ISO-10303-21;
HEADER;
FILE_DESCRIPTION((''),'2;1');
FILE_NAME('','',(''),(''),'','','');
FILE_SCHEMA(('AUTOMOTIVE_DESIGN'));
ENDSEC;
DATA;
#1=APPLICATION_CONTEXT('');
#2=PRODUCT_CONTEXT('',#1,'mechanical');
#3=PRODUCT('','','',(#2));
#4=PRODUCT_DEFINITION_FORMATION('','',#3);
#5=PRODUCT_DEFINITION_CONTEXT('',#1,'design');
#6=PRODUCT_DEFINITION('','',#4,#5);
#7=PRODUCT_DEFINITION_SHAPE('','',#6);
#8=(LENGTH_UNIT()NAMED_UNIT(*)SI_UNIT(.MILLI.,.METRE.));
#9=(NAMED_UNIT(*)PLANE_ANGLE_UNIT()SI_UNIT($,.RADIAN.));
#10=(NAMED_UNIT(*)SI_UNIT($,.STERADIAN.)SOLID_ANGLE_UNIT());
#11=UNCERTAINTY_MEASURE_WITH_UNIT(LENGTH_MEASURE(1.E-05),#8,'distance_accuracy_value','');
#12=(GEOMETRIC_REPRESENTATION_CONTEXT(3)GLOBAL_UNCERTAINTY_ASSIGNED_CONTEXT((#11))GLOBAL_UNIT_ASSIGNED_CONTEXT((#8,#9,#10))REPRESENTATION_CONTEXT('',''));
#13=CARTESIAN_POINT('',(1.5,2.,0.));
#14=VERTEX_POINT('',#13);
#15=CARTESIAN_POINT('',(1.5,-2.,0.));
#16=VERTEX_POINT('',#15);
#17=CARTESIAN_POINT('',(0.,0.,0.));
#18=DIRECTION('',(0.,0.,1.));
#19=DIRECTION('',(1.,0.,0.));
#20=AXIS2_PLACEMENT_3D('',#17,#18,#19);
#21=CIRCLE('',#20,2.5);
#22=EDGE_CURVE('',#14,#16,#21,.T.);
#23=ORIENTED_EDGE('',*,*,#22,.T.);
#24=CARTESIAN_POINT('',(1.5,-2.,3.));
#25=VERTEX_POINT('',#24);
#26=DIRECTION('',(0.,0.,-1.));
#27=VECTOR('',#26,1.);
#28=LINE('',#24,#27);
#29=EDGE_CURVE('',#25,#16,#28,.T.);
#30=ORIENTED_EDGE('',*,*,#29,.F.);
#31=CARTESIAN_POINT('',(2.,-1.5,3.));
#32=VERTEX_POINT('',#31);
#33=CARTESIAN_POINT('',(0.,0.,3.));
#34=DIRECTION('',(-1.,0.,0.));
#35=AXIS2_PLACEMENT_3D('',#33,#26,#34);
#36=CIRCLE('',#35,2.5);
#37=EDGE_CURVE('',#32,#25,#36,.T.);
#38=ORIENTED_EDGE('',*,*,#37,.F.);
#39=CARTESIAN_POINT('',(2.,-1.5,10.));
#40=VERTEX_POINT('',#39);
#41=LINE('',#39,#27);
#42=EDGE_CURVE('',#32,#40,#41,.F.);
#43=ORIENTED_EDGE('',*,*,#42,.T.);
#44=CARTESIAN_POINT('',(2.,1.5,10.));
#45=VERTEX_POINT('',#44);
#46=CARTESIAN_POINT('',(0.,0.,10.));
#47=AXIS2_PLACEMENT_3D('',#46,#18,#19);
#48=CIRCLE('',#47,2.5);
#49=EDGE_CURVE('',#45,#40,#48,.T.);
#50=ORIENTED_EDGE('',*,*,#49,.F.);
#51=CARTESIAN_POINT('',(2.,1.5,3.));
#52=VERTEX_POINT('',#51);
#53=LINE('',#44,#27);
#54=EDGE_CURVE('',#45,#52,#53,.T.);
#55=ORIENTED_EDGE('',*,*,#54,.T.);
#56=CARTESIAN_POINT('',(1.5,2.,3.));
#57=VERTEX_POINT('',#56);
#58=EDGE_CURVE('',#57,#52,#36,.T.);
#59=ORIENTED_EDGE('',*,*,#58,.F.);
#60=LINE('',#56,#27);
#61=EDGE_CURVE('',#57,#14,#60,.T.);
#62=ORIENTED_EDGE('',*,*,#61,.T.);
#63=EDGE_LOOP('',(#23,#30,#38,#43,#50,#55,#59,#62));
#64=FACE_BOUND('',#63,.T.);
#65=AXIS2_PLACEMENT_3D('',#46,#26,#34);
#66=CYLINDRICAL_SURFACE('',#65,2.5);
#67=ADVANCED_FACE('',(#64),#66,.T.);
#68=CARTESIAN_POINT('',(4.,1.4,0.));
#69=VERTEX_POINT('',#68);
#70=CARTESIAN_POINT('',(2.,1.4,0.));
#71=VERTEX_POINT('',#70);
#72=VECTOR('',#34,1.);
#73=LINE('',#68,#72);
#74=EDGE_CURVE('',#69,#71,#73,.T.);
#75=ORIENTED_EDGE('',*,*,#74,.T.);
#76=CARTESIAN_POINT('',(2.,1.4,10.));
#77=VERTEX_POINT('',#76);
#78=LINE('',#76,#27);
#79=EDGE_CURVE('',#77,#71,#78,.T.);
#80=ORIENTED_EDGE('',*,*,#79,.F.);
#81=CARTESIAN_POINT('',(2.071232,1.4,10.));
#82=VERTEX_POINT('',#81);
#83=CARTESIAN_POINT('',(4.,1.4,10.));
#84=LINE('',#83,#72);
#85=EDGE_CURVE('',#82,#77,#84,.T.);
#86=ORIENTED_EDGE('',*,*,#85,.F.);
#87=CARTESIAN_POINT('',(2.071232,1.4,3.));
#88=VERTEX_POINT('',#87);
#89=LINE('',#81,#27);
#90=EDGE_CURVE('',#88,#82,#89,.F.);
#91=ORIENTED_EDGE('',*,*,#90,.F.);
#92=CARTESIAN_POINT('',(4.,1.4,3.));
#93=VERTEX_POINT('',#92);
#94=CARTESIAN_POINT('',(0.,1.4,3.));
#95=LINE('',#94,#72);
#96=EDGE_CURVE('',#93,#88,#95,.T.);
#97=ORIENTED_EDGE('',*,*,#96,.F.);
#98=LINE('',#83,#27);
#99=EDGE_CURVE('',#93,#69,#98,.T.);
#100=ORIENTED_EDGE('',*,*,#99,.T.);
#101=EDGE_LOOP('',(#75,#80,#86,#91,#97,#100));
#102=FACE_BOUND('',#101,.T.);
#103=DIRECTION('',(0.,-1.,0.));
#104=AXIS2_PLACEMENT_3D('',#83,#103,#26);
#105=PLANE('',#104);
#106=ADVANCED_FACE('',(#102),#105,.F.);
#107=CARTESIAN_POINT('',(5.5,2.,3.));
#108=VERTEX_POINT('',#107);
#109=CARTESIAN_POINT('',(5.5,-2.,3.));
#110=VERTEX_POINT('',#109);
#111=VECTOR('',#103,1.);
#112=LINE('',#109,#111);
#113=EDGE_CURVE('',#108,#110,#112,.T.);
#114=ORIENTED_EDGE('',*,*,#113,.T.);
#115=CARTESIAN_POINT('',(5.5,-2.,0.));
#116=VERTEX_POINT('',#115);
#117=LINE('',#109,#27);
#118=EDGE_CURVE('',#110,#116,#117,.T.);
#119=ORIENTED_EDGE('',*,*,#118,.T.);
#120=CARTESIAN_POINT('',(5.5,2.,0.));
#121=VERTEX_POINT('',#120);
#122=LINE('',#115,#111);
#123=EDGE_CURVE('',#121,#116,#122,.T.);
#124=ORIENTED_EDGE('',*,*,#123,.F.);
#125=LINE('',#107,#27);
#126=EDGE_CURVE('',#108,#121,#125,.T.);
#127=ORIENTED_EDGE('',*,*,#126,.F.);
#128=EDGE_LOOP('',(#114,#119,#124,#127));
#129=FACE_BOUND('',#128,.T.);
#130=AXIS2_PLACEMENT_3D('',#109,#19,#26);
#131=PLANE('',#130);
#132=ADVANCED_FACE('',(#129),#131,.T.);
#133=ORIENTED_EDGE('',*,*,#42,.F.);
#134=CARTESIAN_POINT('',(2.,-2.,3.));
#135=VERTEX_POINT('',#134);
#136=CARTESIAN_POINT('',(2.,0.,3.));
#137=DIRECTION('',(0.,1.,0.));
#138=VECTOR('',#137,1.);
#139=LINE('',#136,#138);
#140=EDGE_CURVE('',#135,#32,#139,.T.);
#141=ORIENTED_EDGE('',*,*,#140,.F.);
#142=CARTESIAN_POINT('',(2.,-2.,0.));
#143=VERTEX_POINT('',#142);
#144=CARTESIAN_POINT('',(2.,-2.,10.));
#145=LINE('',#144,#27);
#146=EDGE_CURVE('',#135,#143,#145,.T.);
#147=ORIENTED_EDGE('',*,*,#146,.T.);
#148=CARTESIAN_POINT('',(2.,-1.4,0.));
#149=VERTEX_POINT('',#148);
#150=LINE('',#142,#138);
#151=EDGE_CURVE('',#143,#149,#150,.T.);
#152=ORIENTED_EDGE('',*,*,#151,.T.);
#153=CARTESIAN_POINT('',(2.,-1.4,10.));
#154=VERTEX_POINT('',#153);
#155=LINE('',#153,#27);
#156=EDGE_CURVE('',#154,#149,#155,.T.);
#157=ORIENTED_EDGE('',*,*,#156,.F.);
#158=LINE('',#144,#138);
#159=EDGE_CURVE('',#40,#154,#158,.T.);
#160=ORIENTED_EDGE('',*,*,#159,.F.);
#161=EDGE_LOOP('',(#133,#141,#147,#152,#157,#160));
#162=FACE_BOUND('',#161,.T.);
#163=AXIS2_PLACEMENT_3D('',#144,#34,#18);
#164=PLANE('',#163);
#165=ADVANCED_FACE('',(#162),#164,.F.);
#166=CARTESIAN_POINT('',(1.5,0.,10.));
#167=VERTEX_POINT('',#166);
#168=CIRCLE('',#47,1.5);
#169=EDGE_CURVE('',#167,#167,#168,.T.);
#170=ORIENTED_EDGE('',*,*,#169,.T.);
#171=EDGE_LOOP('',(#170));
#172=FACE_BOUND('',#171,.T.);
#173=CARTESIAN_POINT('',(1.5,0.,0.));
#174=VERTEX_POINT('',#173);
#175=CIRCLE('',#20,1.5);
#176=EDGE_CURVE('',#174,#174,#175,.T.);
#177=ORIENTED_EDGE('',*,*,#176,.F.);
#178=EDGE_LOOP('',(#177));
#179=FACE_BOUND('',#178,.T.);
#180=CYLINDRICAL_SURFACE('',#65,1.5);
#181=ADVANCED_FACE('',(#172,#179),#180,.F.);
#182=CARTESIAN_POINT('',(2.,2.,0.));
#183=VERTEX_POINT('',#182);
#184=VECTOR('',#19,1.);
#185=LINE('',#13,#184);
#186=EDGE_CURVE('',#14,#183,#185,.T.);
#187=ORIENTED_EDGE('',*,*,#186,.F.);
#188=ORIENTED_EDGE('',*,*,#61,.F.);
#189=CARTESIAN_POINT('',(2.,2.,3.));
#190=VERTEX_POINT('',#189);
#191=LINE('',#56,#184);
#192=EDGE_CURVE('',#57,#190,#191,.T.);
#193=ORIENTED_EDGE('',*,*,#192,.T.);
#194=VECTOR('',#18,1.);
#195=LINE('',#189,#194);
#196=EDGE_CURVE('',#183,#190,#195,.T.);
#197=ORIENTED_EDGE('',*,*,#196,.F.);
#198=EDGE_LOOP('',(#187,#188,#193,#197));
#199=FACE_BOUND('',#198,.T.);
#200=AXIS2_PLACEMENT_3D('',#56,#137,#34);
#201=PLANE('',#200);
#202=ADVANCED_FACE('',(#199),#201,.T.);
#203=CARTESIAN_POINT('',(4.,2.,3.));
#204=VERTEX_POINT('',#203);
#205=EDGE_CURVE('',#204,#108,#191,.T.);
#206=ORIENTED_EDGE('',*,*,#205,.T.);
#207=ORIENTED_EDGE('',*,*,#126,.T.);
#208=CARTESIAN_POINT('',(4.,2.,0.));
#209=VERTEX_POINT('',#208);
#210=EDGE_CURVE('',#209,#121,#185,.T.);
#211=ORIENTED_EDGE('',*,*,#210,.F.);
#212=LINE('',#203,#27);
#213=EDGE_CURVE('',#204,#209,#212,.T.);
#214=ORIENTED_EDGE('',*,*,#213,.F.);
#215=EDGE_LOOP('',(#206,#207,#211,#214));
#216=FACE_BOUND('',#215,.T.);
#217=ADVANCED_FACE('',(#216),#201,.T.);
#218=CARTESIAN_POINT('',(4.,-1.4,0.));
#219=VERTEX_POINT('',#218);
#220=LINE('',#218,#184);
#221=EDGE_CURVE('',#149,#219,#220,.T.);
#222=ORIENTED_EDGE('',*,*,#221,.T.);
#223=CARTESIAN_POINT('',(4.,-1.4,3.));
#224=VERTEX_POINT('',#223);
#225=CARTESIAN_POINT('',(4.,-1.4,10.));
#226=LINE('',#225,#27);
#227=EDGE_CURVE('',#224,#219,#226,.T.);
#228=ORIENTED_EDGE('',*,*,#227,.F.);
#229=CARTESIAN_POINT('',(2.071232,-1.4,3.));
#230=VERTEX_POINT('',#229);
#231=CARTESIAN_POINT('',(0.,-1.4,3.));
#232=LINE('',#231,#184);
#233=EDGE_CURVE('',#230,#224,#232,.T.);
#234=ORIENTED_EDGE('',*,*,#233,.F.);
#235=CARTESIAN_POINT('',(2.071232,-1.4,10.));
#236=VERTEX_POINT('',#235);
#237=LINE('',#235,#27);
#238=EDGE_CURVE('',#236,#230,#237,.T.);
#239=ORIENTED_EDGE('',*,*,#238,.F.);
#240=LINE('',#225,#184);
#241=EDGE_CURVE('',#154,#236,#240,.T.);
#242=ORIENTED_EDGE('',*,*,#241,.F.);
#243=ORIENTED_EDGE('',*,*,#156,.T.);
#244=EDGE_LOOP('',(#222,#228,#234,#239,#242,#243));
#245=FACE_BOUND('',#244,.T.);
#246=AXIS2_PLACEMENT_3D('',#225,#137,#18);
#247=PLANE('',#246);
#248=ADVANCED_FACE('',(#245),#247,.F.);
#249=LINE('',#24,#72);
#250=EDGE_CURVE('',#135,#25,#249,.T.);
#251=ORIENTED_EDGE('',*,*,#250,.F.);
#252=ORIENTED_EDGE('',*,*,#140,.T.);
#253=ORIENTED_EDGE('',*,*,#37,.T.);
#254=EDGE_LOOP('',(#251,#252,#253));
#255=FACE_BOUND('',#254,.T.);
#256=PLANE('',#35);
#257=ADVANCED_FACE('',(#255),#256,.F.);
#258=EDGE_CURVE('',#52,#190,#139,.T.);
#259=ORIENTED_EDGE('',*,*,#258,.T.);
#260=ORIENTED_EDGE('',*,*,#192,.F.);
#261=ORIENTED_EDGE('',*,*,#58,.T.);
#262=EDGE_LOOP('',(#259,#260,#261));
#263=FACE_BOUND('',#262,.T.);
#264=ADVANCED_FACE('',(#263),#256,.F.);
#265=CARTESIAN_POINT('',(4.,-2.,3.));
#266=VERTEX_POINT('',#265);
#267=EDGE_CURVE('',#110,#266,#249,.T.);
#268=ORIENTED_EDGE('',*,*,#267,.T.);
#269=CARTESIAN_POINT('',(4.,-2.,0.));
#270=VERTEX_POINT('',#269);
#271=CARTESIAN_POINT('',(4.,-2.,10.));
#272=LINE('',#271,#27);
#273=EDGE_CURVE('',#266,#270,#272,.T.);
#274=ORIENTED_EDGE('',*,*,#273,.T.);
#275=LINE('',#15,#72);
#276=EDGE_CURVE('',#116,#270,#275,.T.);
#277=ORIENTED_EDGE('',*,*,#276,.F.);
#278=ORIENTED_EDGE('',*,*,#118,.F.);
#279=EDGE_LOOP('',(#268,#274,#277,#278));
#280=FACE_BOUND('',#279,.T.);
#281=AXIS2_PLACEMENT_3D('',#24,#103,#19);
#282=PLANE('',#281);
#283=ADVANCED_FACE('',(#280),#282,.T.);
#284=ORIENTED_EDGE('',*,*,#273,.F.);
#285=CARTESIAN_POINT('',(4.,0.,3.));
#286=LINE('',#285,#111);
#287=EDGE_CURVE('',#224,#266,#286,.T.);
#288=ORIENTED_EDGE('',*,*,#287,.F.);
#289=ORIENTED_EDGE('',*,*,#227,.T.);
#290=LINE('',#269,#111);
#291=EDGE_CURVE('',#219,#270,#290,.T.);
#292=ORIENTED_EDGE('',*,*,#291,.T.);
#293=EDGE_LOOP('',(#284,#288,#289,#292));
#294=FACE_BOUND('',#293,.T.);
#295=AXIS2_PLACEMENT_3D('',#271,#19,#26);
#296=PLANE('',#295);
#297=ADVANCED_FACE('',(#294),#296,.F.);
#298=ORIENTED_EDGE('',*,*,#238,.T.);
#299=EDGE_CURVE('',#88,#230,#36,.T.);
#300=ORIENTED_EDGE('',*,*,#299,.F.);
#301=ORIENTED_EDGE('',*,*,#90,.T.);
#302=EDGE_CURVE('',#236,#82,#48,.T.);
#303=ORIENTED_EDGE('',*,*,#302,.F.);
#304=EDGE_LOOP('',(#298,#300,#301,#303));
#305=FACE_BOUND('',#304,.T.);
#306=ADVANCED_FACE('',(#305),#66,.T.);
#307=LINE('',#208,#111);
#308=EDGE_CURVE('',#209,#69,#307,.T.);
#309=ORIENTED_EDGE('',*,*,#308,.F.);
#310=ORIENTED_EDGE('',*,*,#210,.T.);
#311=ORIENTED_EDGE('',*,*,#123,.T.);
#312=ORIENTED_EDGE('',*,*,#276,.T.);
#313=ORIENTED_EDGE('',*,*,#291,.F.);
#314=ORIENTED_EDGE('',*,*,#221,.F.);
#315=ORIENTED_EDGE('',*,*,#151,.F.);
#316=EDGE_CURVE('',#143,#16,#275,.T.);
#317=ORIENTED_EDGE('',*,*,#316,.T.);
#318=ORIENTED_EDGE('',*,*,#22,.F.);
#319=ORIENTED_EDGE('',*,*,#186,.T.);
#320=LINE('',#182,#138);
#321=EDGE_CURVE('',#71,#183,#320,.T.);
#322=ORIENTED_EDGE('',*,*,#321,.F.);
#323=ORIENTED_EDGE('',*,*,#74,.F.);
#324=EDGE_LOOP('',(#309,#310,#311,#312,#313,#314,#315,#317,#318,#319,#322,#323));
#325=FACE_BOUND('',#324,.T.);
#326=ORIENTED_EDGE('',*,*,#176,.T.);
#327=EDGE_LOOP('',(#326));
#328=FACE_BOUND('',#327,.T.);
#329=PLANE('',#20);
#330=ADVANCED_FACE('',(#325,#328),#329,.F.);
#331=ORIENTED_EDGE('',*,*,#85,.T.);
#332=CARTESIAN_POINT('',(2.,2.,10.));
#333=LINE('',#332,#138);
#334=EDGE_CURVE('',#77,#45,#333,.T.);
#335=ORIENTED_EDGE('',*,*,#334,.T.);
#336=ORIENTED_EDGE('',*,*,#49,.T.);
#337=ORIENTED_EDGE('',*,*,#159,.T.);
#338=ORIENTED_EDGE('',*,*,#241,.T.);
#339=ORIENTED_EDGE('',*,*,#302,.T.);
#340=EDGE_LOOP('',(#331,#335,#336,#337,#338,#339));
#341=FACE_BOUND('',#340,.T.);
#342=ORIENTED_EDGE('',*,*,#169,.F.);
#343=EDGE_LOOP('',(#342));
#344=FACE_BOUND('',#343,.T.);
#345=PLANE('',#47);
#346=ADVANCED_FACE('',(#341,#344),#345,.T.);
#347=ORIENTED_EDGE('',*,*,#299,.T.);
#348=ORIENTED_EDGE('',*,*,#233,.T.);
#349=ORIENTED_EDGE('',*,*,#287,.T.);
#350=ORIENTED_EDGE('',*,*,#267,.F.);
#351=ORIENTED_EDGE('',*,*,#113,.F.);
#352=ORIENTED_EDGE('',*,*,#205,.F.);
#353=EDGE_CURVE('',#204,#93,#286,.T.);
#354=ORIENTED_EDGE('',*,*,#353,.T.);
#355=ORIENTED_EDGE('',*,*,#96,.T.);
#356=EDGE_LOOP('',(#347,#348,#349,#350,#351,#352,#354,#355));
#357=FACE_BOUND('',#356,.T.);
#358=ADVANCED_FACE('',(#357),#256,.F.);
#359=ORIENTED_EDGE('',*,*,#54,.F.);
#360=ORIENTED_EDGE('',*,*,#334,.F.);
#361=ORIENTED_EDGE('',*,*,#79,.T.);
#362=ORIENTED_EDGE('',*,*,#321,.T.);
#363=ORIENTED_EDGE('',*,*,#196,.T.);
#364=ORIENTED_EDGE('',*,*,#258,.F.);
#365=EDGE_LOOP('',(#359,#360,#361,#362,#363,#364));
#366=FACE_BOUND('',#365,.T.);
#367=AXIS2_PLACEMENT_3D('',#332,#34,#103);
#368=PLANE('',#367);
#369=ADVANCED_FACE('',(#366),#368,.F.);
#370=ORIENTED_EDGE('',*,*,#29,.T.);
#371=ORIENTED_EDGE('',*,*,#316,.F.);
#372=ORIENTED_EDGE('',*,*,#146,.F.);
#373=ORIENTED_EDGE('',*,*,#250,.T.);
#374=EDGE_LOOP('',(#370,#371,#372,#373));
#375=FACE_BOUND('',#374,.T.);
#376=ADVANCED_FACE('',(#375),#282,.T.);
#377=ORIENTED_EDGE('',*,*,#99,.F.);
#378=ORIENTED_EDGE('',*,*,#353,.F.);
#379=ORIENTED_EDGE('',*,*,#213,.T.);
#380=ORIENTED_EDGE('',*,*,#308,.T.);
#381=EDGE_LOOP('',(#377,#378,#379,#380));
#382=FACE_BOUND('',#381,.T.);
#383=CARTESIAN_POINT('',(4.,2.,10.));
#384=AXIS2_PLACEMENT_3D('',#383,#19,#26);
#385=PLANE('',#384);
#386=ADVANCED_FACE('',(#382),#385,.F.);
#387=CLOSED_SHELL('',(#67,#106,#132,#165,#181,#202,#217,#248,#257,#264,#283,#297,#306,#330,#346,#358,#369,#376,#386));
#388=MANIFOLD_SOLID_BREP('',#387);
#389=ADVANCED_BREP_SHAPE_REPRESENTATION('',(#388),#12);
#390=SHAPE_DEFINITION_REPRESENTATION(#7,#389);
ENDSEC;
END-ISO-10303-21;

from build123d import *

# Parameters (mm, degrees)
SKETCH_1_R          = 2.5
SKETCH_1_R_2        = 1.5
EXTRUDE_1_DEPTH     = 10
SKETCH_2_W          = 4
SKETCH_2_H          = 4
EXTRUDE_2_DEPTH     = 3
SKETCH_3_W          = 2
SKETCH_3_H          = 0.6
CUT_EXTRUDE_1_DEPTH = 12.683321446


with BuildPart() as part:
    # 草图1 → 凸台-拉伸1 (new body)
    with BuildSketch(Plane.XY):
        Circle(SKETCH_1_R)
        Circle(SKETCH_1_R_2, mode=Mode.SUBTRACT)
    extrude(amount=EXTRUDE_1_DEPTH)

    # 草图2 → 凸台-拉伸2 (add)
    with BuildSketch(Plane(origin=(0, 0, 0), x_dir=(-1, 0, 0), z_dir=(0, 0, -1))):
        with Locations((-3.5, 0)):
            Rectangle(SKETCH_2_W, SKETCH_2_H)
    extrude(amount=-EXTRUDE_2_DEPTH)

    # 草图3 → 切除-拉伸1 (cut, through all)
    with BuildSketch(Plane(origin=(0, 0, 0), x_dir=(-1, 0, 0), z_dir=(0, 0, -1))):
        with Locations((-3, -1.7)):
            Rectangle(SKETCH_3_W, SKETCH_3_H)
        with Locations((-3, 1.7)):
            Rectangle(SKETCH_3_W, SKETCH_3_H)
    extrude(amount=-CUT_EXTRUDE_1_DEPTH, mode=Mode.SUBTRACT)


solid = part.part
